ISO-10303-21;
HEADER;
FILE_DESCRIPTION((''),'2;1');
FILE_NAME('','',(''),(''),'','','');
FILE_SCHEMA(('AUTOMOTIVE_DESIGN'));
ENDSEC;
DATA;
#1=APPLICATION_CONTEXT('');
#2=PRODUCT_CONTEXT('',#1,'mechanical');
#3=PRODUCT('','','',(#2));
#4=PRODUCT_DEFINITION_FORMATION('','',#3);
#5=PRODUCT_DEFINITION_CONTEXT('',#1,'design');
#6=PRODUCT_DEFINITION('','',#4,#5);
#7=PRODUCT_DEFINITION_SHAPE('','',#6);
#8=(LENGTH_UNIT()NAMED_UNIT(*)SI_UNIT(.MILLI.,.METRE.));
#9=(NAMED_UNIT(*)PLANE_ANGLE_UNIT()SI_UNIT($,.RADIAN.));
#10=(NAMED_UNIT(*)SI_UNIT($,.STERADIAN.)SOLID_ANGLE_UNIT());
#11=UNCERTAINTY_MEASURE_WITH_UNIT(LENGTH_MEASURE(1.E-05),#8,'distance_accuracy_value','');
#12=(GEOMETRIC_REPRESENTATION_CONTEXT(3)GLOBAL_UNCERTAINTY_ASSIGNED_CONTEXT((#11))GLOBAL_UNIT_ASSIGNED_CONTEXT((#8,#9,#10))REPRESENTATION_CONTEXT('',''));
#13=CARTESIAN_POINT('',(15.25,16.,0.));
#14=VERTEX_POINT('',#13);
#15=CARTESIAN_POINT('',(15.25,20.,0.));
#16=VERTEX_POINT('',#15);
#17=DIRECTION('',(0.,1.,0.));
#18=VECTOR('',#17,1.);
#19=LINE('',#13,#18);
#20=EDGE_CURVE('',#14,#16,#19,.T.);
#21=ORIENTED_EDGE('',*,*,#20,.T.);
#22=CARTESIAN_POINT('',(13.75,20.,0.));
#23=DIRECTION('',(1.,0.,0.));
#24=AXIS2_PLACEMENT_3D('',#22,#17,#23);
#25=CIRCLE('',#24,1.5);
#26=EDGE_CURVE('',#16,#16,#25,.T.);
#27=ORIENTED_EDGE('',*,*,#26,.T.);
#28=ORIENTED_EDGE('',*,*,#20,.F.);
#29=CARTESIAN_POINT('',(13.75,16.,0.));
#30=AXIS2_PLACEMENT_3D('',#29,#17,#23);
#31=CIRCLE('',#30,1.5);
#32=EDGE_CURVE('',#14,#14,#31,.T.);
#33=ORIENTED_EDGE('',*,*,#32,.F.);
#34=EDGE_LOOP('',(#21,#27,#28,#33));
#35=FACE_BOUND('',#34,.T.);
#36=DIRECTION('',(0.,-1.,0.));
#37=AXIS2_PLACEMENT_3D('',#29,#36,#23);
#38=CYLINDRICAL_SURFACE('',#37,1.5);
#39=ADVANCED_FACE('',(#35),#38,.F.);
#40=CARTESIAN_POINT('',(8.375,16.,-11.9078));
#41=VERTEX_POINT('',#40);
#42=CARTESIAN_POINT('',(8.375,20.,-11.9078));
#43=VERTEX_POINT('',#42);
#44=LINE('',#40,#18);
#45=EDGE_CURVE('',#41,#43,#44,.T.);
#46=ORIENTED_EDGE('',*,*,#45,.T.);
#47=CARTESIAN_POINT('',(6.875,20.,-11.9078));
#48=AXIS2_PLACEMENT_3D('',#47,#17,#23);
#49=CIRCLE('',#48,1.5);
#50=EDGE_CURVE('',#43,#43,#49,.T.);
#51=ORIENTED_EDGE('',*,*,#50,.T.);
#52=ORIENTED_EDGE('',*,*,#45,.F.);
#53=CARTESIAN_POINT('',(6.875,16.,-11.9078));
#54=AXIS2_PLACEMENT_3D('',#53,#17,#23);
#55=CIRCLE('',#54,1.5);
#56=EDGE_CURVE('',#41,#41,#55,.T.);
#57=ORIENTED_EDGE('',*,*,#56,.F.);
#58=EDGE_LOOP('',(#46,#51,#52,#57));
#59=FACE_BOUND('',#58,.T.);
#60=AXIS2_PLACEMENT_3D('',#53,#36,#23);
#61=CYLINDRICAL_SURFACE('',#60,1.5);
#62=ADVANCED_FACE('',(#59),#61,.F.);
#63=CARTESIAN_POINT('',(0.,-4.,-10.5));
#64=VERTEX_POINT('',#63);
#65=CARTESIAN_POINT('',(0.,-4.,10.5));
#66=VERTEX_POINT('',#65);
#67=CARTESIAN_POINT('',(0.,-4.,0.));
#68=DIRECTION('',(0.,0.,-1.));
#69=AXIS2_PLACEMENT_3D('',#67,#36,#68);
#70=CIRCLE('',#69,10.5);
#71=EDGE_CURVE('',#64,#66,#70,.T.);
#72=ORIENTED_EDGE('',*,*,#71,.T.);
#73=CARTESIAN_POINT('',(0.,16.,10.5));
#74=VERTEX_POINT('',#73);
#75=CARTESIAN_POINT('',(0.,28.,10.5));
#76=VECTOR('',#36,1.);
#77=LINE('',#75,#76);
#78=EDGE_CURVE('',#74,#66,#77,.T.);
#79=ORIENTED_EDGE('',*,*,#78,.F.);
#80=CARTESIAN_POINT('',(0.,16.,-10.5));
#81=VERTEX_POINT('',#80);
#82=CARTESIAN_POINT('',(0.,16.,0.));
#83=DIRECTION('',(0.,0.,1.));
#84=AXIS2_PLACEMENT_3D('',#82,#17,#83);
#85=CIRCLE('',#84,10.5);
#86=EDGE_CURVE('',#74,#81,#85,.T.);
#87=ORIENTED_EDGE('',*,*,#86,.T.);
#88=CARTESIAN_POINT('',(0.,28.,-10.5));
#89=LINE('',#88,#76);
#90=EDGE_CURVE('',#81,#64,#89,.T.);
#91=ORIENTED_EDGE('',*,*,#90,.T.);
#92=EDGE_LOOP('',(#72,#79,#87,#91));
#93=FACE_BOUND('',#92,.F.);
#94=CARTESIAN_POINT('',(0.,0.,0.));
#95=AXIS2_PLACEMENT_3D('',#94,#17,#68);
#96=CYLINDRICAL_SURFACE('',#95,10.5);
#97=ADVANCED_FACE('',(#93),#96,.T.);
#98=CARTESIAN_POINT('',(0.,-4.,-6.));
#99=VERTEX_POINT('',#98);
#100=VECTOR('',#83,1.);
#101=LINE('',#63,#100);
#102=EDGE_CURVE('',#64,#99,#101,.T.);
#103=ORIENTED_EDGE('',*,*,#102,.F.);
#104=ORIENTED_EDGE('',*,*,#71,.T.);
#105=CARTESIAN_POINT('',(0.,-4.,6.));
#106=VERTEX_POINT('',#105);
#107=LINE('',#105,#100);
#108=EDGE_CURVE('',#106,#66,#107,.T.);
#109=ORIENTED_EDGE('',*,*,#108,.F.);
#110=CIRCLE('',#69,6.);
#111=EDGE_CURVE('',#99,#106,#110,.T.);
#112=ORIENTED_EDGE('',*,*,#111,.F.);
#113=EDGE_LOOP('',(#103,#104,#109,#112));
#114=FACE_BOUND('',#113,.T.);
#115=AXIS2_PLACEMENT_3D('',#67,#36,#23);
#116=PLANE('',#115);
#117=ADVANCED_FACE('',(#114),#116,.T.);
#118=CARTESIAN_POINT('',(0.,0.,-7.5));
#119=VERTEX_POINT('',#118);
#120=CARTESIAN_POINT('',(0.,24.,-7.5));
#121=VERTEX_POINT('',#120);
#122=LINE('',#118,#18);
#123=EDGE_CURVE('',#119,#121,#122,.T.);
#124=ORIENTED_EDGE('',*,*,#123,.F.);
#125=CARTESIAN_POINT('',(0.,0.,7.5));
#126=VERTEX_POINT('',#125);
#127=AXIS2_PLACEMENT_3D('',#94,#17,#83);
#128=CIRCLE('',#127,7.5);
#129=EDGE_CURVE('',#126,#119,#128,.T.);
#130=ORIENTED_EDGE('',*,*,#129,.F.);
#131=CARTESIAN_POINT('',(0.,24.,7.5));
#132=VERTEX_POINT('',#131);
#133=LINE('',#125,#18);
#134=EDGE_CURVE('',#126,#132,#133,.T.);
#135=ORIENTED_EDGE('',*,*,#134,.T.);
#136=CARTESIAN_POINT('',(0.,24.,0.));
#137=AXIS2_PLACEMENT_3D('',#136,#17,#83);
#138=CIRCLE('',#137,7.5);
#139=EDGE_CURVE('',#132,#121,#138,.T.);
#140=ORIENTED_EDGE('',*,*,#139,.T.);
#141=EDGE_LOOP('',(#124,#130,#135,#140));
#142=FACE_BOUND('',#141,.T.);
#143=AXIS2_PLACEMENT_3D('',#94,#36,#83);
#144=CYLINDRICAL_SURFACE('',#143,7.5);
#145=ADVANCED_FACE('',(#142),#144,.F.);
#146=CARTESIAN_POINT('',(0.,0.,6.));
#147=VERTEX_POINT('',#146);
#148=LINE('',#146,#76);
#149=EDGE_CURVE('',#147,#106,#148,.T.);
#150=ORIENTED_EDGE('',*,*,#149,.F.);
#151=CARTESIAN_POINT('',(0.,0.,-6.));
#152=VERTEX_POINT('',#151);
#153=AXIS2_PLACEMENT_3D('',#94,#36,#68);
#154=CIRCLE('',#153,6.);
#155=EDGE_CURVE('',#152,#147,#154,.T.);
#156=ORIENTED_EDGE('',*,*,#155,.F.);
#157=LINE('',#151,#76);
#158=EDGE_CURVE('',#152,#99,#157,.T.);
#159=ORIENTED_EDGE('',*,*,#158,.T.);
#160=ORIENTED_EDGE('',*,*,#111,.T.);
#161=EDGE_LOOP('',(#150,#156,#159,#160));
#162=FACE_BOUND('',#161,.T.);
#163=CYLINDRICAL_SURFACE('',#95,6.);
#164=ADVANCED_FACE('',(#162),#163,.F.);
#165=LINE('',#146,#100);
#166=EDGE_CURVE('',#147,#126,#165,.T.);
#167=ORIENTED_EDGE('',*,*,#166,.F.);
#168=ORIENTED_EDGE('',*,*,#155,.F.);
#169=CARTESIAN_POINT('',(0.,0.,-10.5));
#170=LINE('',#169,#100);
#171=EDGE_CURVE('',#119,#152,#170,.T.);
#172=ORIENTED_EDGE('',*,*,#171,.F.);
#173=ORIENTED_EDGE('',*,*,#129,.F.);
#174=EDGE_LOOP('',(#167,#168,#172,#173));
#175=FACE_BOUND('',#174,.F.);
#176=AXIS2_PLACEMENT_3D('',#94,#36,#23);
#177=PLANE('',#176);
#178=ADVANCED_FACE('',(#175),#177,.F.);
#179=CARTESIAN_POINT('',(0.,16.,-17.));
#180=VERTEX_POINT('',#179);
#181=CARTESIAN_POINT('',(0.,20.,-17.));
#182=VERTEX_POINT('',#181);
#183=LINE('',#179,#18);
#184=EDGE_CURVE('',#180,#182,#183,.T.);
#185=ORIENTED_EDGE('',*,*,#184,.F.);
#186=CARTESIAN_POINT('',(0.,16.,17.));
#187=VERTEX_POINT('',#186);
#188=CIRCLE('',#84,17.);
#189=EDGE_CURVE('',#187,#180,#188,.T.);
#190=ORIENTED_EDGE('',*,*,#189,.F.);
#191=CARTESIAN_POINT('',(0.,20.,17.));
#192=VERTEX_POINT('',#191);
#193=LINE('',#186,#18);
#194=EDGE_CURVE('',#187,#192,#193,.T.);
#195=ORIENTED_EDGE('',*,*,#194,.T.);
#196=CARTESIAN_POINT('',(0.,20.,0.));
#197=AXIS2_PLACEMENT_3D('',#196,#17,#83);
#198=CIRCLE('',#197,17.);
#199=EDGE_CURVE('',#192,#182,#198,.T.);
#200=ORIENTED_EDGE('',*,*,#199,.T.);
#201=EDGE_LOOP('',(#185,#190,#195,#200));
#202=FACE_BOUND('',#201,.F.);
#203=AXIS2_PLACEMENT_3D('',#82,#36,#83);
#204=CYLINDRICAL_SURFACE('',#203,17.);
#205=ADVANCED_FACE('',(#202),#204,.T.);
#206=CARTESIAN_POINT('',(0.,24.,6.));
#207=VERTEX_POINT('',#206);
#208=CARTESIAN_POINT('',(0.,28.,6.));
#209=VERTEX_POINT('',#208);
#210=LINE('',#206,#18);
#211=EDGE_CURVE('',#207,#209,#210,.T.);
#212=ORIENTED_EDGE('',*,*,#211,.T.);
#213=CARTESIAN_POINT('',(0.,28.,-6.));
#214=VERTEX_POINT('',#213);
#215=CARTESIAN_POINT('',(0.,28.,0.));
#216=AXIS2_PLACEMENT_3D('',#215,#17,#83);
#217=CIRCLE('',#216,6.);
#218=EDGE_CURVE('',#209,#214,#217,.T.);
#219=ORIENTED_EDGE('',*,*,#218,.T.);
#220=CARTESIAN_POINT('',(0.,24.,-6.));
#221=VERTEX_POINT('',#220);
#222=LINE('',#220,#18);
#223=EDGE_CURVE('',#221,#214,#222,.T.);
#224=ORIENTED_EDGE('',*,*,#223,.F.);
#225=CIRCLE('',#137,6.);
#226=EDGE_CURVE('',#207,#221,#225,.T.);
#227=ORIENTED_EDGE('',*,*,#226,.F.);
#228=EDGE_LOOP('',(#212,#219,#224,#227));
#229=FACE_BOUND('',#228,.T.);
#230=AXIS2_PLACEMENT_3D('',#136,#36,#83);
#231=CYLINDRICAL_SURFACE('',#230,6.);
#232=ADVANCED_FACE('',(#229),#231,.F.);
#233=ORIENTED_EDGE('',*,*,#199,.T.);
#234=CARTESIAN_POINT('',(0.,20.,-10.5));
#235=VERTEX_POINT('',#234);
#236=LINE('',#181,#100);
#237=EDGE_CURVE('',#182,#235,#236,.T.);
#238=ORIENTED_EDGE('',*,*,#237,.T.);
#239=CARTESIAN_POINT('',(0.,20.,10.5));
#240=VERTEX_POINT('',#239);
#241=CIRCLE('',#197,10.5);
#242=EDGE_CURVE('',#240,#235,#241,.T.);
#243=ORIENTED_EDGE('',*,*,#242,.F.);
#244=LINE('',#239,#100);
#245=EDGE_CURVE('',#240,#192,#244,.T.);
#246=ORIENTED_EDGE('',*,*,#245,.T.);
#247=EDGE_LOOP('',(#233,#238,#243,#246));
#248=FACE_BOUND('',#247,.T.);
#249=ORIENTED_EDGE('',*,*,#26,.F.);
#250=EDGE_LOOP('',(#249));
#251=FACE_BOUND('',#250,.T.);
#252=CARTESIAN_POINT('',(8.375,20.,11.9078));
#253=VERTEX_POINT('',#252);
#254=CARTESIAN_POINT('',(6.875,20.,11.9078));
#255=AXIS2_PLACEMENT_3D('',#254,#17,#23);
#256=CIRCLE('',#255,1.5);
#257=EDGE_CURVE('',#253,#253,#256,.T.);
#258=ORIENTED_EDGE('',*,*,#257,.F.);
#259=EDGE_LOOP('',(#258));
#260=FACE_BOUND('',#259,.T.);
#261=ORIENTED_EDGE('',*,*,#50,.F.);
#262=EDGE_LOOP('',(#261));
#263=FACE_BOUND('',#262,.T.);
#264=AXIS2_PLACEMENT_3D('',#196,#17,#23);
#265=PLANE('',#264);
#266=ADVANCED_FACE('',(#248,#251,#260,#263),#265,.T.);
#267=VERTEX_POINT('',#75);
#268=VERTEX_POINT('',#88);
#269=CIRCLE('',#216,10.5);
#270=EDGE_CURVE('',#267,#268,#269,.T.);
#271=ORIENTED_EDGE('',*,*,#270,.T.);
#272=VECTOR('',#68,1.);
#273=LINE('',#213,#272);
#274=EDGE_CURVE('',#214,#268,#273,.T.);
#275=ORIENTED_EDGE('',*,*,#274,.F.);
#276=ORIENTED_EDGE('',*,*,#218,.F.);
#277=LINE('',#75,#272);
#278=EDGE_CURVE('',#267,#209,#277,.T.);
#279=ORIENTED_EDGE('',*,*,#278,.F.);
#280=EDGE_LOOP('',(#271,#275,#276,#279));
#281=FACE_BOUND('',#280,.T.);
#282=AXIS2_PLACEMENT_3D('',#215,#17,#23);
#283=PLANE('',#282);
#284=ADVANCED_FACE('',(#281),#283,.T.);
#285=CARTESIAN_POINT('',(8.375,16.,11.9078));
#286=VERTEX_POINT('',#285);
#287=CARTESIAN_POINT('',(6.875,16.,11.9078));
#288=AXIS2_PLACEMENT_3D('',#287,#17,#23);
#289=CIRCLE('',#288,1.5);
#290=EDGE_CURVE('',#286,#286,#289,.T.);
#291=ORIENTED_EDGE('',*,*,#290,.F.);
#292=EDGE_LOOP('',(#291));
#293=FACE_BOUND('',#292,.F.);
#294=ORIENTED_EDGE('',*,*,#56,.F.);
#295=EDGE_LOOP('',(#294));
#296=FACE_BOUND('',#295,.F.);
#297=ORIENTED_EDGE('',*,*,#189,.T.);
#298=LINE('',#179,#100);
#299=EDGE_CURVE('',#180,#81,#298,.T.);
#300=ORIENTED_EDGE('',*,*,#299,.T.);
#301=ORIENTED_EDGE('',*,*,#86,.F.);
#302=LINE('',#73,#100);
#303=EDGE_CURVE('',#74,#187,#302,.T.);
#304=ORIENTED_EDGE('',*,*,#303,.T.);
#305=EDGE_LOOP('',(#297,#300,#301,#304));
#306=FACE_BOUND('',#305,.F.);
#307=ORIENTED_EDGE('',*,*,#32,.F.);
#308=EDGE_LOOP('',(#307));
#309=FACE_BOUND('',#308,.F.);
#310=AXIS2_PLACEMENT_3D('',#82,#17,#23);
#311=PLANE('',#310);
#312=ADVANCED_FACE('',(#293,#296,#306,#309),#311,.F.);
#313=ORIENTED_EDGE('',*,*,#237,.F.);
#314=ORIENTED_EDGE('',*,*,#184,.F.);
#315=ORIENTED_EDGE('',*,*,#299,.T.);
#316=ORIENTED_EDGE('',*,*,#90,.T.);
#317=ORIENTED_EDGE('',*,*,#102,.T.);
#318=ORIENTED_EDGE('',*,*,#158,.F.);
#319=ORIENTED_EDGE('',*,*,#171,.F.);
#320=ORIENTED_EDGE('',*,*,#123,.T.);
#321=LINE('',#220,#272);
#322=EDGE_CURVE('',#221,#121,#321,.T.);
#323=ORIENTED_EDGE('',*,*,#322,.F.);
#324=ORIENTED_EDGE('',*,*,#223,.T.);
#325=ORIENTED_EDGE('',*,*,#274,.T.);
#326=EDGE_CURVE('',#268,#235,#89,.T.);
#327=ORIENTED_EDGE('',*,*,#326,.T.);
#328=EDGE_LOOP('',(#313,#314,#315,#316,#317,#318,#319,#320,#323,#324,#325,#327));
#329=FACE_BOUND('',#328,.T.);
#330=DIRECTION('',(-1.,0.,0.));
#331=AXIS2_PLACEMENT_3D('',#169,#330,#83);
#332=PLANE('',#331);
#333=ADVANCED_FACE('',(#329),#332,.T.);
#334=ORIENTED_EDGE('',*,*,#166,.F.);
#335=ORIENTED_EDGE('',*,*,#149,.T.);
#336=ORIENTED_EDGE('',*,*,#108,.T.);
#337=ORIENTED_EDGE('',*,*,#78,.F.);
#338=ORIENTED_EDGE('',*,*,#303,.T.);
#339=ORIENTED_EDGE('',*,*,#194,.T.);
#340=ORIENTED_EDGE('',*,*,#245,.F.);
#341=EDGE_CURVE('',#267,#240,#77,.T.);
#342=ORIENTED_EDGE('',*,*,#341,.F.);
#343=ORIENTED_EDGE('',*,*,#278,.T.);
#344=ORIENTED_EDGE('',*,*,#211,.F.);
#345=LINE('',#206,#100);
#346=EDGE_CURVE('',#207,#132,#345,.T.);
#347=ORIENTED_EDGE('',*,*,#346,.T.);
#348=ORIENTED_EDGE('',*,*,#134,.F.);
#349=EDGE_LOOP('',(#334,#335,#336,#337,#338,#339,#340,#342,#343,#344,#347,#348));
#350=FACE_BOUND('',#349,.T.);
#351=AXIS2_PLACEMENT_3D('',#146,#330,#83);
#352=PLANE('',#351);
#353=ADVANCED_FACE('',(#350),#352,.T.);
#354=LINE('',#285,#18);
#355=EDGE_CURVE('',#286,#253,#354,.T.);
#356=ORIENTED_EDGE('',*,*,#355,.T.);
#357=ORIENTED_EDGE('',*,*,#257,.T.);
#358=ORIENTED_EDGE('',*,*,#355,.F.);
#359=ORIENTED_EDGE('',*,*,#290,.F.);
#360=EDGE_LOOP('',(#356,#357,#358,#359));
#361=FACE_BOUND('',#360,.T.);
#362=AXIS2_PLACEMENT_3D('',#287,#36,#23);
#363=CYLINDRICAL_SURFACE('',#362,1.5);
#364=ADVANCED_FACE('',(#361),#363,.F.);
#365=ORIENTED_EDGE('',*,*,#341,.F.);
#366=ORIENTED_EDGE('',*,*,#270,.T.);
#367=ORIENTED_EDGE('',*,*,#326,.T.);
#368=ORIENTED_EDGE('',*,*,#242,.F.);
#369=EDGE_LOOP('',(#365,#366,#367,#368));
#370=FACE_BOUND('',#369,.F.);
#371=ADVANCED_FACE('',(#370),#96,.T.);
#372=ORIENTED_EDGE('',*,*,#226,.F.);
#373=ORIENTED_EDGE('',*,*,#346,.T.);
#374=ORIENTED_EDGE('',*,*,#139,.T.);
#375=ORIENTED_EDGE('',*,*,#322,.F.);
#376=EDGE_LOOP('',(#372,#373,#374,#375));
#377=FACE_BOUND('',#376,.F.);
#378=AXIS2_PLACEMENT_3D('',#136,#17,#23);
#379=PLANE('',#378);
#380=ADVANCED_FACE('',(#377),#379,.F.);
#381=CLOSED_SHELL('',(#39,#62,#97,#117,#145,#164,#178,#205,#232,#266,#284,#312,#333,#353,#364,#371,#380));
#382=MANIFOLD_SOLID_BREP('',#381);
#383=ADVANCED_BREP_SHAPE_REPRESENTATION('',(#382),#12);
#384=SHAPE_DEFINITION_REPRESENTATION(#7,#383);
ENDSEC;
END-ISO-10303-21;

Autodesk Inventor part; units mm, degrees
ref_plane "YZ Plane" through (0, 0, 0) normal (1, 0, 0) x (0, 1, 0)
ref_plane "XZ Plane" through (0, 0, 0) normal (0, 1, 0) x (-1, 0, 0)
ref_plane "XY Plane" through (0, 0, 0) normal (0, 0, 1) x (1, 0, 0)
sketch "Sketch1" plane through (0, 0, 0) normal (0, 1, 0) x (-1, 0, 0)
  arc A0 (0, 7.5) -> (0, -7.5) centre (0, 0) ccw
  arc A1 (0, 10.5) -> (0, -10.5) centre (0, 0) ccw
  line L0 (0, 10.5) -> (0, 7.5)
  line L1 (0, -7.5) -> (0, -10.5)
  dimension "d0" = 7.5
  dimension "d1" = 3
extrude "Extrusion1" add sketch "Sketch1" along normal blind 24
sketch "Sketch2" plane through (0, 24, 0) normal (0, 1, 0) x (1, 0, 0)
  line L0 (0, 10.5) -> (0, 7.5) projected
  line L1 (0, -7.5) -> (0, -10.5) projected
  arc A0 (0, -10.5) -> (0, 10.5) centre (0, 0) ccw projected
  arc A1 (0, -6) -> (0, 6) centre (0, 0) ccw
  line L2 (0, 0) -> (0, 6) construction
  line L3 (0, 0) -> (6, 0) construction
  line L4 (0, 0) -> (0, -6) construction
  line L5 (0, 6) -> (0, 10.5)
  line L6 (0, -6) -> (0, -10.5)
  dimension "d6" = 6
  dimension "d7" = 90
  dimension "d8" = 180
extrude "Extrusion2" add sketch "Sketch2" along normal blind 4
sketch "Sketch3" plane through (0, 0, 0) normal (0, -1, 0) x (1, 0, 0)
  line L0 (0, -10.5) -> (0, -6) projected
  arc A0 (0, -6) -> (0, 6) centre (0, 0) ccw projected
  line L1 (0, 6) -> (0, 10.5) projected
  arc A1 (0, -10.5) -> (0, 10.5) centre (0, 0) ccw projected
extrude "Extrusion3" add sketch "Sketch3" along normal blind 4
ref_plane "Work Plane2" through (0, 16, 0) normal (0, 1, 0) x (1, 0, 0)
ref_plane "Work Plane1" through (0, 12, 0) normal (0, 1, 0) x (1, 0, 0)
sketch "Sketch5" plane through (0, 16, 0) normal (0, 1, 0) x (1, 0, 0)
  arc A0 (0, -10.5) -> (0, 10.5) centre (0, 0) ccw projected
  arc A1 (0, -17) -> (0, 17) centre (0, 0) ccw
  line L0 (0, 10.5) -> (0, 6) projected
  line L1 (0, 17) -> (0, 10.5)
  line L2 (0, -10.5) -> (0, -17)
  circle A2 centre (13.75, 0) radius 1.5
  line L3 (10.5, 0) -> (17, 0) construction
  circle A3 centre (6.875, 11.9078) radius 1.5
  circle A4 centre (6.875, -11.9078) radius 1.5
  dimension "d22" = 6.5
  dimension "d23" = 3
  dimension "d26" = 60
  dimension "d30" = 60
extrude "Extrusion4" add sketch "Sketch5" along normal blind 4
properties part number "Bearing_Holder" material "PC/ABS Plastic"
